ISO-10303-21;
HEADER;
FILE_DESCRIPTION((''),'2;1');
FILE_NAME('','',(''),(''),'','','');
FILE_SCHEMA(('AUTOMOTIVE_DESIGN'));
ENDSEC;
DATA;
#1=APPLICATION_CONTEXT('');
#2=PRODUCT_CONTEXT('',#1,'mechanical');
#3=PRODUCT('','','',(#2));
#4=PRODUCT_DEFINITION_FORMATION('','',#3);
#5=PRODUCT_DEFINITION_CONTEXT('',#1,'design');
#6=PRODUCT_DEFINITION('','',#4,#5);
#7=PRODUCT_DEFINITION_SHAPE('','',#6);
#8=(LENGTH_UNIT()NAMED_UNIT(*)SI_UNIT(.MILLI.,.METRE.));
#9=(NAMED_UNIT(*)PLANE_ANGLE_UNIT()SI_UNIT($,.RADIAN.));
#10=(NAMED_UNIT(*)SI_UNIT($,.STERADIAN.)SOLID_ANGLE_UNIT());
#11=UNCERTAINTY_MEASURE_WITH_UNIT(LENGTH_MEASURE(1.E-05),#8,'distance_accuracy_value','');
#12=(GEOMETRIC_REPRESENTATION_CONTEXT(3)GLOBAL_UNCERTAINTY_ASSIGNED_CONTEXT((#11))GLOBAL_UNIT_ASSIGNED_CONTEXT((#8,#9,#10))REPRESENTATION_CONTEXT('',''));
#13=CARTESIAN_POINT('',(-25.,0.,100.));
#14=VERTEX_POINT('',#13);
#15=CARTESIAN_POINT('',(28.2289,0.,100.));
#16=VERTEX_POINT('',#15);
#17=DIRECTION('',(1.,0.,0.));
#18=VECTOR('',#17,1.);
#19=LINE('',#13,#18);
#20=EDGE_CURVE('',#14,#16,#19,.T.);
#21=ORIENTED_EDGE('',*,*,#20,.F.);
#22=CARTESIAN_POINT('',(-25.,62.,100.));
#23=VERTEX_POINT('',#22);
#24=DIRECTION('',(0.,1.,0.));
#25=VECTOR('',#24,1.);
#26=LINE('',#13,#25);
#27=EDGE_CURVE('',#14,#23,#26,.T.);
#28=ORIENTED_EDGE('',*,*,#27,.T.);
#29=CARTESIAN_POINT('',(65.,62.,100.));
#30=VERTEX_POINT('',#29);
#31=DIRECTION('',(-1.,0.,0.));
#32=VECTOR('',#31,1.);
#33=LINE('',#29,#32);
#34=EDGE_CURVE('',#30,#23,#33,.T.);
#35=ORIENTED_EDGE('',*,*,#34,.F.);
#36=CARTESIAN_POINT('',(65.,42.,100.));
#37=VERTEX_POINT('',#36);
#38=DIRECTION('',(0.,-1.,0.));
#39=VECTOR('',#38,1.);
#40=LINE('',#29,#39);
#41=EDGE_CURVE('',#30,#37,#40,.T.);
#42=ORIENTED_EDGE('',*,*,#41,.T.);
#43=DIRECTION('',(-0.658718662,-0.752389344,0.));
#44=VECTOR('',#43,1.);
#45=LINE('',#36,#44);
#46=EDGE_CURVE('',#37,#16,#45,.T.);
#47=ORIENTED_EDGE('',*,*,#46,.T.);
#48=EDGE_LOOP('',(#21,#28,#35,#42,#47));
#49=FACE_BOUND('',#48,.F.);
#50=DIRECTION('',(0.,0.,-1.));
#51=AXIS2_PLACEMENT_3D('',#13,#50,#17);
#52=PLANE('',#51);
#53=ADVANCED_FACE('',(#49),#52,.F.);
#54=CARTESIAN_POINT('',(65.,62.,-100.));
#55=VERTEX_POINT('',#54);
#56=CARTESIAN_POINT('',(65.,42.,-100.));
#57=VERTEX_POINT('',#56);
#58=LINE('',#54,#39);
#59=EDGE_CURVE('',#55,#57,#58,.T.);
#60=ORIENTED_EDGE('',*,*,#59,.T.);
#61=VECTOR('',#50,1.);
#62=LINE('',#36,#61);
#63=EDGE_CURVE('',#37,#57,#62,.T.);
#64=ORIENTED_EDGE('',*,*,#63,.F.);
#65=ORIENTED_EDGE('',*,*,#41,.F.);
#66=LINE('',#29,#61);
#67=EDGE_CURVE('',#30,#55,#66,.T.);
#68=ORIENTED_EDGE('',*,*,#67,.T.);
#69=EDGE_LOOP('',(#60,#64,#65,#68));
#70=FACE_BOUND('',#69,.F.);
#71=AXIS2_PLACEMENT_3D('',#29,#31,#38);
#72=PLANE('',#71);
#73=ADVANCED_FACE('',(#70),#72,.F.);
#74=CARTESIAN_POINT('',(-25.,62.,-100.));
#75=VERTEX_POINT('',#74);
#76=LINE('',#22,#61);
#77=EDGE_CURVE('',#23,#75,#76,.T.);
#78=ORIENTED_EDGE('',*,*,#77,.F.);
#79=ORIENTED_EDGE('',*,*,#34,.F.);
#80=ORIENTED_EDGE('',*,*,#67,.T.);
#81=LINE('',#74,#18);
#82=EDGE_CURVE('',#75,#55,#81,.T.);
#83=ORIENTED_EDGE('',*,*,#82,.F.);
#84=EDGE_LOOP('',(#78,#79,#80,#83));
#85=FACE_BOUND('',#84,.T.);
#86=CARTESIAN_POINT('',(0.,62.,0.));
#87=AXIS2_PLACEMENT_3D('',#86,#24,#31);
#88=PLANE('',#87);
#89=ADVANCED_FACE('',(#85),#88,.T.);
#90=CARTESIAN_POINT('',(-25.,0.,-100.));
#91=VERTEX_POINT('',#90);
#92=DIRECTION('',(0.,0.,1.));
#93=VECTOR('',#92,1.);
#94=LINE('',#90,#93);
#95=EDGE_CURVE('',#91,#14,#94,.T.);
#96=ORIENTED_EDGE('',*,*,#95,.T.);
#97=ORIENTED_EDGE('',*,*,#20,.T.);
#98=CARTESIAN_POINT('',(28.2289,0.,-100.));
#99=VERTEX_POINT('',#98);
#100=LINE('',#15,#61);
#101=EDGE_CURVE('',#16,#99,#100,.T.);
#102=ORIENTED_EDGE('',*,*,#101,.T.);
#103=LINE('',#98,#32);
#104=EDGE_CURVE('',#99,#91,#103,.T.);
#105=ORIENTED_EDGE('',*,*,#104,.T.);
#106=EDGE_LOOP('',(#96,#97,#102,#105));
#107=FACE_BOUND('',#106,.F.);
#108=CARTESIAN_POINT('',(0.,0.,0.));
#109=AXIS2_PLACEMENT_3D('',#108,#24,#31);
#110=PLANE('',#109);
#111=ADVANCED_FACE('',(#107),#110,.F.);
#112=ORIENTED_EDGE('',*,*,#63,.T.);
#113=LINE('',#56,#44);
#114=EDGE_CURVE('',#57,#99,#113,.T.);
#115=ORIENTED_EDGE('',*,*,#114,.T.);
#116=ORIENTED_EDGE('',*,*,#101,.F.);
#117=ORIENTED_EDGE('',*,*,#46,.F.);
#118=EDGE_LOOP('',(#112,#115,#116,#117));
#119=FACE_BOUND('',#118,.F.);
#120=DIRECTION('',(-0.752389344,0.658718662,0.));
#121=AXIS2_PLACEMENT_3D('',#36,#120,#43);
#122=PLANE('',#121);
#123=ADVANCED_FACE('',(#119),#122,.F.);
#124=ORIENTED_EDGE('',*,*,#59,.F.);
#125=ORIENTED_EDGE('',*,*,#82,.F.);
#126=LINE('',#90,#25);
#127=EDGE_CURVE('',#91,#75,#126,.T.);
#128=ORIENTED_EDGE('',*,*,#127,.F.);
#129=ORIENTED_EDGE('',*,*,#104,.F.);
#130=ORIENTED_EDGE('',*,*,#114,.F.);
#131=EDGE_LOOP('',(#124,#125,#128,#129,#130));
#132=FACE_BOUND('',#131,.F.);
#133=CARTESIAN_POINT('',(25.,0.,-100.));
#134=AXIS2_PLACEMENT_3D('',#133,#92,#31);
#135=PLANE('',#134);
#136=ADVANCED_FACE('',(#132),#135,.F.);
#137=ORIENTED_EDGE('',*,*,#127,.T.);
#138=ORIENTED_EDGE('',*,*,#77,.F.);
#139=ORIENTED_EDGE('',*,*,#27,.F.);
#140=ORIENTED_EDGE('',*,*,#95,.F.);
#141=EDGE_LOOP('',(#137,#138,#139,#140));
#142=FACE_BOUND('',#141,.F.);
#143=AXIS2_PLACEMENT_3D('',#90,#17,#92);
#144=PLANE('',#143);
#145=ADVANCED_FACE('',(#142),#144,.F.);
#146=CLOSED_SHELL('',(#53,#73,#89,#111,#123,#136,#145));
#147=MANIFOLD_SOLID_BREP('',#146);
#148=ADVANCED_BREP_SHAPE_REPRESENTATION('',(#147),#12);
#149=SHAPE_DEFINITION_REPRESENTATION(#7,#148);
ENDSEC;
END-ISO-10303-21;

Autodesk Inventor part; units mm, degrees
ref_plane "YZ Plane" through (0, 0, 0) normal (1, 0, 0) x (0, 1, 0)
ref_plane "XZ Plane" through (0, 0, 0) normal (0, 1, 0) x (-1, 0, 0)
ref_plane "XY Plane" through (0, 0, 0) normal (0, 0, 1) x (1, 0, 0)
sketch "Sketch1" plane through (0, 0, 0) normal (0, 1, 0) x (-1, 0, 0)
  line L0 (25, 100) -> (-25, 100)
  line L1 (-25, 100) -> (-25, -100)
  line L2 (-25, -100) -> (25, -100)
  line L3 (25, -100) -> (25, 100)
  line L4 (25, 100) -> (-25, -100) construction
  line L5 (-25, 100) -> (25, -100) construction
  point P0 (0, 0)
  dimension "d0" = 50
  dimension "d1" = 200
extrude "Extrusion1" add sketch "Sketch1" along normal blind 62
sketch "Sketch2" plane through (-25, 0, 100) normal (0, 0, 1) x (1, 0, 0)
  line L0 (50, 62) -> (0, 62) projected
  line L1 (50, 62) -> (90, 62)
  line L2 (90, 62) -> (90, 42)
  line L3 (90, 42) -> (53.2289, 0)
  line L4 (53.2289, 0) -> (50, 0)
  line L5 (50, 62) -> (50, 0)
  point P0 (25, 0)
  dimension "d4" = 40
  dimension "d5" = 20
  dimension "d6" = 90
extrude "Extrusion2" add sketch "Sketch2" against normal up to surface (200 mm away)
sketch "Sketch3" plane through (0, 62, 0) normal (0, 1, 0) x (1, 0, 0)
  line L0 (-25, 100) -> (-25, -100) projected
  line L1 (-25, -100) -> (-25, 100)
  line L2 (-25, 100) -> (-25, 80)
  line L3 (-25, 80) -> (-76.9615, 50)
  line L4 (-25, -100) -> (-25, -80)
  line L5 (-25, -80) -> (-76.9615, -50)
  line L6 (-76.9615, -50) -> (-76.9615, 50)
  circle A0 centre (-76.9615, 0) radius 49.9974
  circle A1 centre (-126.9564, -0.5064) radius 49.9974
  line L7 (-76.9615, -50) -> (-126.45, -50.5013)
  line L8 (-127.4628, 49.4885) -> (-76.9615, 50)
  point P0 (0, 0)
  point P1 (-76.9615, 49.9974)
  point P2 (-77.4679, 49.9949)
  point P3 (-76.9615, -1.0128)
  dimension "d9" = 20
  dimension "d10" = 60
  dimension "d11" = 120
  dimension "d12" = 20
  dimension "d13" = 60
  dimension "d14" = 120
extrude "Extrusion3" add sketch "Sketch3" against normal blind 62
sketch "Sketch4" plane through (0, 62, 0) normal (0, 1, 0) x (1, 0, 0)
  line L0 (-25, -100) -> (28.2289, -100) projected
  line L1 (-25, 100) -> (-25, 80) projected
  line L2 (-25, -100) -> (-25, 100)
  line L3 (-25, 100) -> (29.4775, 197.567)
  line L4 (29.4775, 197.567) -> (135.6867, 127.811)
  line L5 (135.6867, 127.811) -> (135.6867, -104.409)
  line L6 (135.6867, -104.409) -> (110.0345, -245.7212)
  line L7 (110.0345, -245.7212) -> (-5.1754, -156.6135)
  line L8 (-5.1754, -156.6135) -> (-25, -100)
  line L9 (-76.9615, -50) -> (-76.9615, 49.9974)
  line L10 (-76.9615, 49.9974) -> (-143.8651, 145.0549)
  line L11 (-143.8651, 145.0549) -> (-248.9816, -0.0013)
  line L12 (-248.9816, -0.0013) -> (-240.1494, -166.1828)
  line L13 (-240.1494, -166.1828) -> (-110.4133, -169.4443)
  line L14 (-110.4133, -169.4443) -> (-76.9615, -50)
  line L15 (-110.4133, -169.4443) -> (-5.1754, -156.6135)
  line L16 (-143.8651, 145.0549) -> (29.4775, 197.567)
  point P0 (0, 0)
extrude "Extrusion4" cut sketch "Sketch4" against normal blind 62 contours L10 L9 L14 L13 L12 L11
extrude "Extrusion5" cut sketch "Sketch4" against normal blind 62 contours L1 L2 L8 L15 L14 L9 L10 L16 L3
properties part number "piece1" material "Acrylic, Clear"
